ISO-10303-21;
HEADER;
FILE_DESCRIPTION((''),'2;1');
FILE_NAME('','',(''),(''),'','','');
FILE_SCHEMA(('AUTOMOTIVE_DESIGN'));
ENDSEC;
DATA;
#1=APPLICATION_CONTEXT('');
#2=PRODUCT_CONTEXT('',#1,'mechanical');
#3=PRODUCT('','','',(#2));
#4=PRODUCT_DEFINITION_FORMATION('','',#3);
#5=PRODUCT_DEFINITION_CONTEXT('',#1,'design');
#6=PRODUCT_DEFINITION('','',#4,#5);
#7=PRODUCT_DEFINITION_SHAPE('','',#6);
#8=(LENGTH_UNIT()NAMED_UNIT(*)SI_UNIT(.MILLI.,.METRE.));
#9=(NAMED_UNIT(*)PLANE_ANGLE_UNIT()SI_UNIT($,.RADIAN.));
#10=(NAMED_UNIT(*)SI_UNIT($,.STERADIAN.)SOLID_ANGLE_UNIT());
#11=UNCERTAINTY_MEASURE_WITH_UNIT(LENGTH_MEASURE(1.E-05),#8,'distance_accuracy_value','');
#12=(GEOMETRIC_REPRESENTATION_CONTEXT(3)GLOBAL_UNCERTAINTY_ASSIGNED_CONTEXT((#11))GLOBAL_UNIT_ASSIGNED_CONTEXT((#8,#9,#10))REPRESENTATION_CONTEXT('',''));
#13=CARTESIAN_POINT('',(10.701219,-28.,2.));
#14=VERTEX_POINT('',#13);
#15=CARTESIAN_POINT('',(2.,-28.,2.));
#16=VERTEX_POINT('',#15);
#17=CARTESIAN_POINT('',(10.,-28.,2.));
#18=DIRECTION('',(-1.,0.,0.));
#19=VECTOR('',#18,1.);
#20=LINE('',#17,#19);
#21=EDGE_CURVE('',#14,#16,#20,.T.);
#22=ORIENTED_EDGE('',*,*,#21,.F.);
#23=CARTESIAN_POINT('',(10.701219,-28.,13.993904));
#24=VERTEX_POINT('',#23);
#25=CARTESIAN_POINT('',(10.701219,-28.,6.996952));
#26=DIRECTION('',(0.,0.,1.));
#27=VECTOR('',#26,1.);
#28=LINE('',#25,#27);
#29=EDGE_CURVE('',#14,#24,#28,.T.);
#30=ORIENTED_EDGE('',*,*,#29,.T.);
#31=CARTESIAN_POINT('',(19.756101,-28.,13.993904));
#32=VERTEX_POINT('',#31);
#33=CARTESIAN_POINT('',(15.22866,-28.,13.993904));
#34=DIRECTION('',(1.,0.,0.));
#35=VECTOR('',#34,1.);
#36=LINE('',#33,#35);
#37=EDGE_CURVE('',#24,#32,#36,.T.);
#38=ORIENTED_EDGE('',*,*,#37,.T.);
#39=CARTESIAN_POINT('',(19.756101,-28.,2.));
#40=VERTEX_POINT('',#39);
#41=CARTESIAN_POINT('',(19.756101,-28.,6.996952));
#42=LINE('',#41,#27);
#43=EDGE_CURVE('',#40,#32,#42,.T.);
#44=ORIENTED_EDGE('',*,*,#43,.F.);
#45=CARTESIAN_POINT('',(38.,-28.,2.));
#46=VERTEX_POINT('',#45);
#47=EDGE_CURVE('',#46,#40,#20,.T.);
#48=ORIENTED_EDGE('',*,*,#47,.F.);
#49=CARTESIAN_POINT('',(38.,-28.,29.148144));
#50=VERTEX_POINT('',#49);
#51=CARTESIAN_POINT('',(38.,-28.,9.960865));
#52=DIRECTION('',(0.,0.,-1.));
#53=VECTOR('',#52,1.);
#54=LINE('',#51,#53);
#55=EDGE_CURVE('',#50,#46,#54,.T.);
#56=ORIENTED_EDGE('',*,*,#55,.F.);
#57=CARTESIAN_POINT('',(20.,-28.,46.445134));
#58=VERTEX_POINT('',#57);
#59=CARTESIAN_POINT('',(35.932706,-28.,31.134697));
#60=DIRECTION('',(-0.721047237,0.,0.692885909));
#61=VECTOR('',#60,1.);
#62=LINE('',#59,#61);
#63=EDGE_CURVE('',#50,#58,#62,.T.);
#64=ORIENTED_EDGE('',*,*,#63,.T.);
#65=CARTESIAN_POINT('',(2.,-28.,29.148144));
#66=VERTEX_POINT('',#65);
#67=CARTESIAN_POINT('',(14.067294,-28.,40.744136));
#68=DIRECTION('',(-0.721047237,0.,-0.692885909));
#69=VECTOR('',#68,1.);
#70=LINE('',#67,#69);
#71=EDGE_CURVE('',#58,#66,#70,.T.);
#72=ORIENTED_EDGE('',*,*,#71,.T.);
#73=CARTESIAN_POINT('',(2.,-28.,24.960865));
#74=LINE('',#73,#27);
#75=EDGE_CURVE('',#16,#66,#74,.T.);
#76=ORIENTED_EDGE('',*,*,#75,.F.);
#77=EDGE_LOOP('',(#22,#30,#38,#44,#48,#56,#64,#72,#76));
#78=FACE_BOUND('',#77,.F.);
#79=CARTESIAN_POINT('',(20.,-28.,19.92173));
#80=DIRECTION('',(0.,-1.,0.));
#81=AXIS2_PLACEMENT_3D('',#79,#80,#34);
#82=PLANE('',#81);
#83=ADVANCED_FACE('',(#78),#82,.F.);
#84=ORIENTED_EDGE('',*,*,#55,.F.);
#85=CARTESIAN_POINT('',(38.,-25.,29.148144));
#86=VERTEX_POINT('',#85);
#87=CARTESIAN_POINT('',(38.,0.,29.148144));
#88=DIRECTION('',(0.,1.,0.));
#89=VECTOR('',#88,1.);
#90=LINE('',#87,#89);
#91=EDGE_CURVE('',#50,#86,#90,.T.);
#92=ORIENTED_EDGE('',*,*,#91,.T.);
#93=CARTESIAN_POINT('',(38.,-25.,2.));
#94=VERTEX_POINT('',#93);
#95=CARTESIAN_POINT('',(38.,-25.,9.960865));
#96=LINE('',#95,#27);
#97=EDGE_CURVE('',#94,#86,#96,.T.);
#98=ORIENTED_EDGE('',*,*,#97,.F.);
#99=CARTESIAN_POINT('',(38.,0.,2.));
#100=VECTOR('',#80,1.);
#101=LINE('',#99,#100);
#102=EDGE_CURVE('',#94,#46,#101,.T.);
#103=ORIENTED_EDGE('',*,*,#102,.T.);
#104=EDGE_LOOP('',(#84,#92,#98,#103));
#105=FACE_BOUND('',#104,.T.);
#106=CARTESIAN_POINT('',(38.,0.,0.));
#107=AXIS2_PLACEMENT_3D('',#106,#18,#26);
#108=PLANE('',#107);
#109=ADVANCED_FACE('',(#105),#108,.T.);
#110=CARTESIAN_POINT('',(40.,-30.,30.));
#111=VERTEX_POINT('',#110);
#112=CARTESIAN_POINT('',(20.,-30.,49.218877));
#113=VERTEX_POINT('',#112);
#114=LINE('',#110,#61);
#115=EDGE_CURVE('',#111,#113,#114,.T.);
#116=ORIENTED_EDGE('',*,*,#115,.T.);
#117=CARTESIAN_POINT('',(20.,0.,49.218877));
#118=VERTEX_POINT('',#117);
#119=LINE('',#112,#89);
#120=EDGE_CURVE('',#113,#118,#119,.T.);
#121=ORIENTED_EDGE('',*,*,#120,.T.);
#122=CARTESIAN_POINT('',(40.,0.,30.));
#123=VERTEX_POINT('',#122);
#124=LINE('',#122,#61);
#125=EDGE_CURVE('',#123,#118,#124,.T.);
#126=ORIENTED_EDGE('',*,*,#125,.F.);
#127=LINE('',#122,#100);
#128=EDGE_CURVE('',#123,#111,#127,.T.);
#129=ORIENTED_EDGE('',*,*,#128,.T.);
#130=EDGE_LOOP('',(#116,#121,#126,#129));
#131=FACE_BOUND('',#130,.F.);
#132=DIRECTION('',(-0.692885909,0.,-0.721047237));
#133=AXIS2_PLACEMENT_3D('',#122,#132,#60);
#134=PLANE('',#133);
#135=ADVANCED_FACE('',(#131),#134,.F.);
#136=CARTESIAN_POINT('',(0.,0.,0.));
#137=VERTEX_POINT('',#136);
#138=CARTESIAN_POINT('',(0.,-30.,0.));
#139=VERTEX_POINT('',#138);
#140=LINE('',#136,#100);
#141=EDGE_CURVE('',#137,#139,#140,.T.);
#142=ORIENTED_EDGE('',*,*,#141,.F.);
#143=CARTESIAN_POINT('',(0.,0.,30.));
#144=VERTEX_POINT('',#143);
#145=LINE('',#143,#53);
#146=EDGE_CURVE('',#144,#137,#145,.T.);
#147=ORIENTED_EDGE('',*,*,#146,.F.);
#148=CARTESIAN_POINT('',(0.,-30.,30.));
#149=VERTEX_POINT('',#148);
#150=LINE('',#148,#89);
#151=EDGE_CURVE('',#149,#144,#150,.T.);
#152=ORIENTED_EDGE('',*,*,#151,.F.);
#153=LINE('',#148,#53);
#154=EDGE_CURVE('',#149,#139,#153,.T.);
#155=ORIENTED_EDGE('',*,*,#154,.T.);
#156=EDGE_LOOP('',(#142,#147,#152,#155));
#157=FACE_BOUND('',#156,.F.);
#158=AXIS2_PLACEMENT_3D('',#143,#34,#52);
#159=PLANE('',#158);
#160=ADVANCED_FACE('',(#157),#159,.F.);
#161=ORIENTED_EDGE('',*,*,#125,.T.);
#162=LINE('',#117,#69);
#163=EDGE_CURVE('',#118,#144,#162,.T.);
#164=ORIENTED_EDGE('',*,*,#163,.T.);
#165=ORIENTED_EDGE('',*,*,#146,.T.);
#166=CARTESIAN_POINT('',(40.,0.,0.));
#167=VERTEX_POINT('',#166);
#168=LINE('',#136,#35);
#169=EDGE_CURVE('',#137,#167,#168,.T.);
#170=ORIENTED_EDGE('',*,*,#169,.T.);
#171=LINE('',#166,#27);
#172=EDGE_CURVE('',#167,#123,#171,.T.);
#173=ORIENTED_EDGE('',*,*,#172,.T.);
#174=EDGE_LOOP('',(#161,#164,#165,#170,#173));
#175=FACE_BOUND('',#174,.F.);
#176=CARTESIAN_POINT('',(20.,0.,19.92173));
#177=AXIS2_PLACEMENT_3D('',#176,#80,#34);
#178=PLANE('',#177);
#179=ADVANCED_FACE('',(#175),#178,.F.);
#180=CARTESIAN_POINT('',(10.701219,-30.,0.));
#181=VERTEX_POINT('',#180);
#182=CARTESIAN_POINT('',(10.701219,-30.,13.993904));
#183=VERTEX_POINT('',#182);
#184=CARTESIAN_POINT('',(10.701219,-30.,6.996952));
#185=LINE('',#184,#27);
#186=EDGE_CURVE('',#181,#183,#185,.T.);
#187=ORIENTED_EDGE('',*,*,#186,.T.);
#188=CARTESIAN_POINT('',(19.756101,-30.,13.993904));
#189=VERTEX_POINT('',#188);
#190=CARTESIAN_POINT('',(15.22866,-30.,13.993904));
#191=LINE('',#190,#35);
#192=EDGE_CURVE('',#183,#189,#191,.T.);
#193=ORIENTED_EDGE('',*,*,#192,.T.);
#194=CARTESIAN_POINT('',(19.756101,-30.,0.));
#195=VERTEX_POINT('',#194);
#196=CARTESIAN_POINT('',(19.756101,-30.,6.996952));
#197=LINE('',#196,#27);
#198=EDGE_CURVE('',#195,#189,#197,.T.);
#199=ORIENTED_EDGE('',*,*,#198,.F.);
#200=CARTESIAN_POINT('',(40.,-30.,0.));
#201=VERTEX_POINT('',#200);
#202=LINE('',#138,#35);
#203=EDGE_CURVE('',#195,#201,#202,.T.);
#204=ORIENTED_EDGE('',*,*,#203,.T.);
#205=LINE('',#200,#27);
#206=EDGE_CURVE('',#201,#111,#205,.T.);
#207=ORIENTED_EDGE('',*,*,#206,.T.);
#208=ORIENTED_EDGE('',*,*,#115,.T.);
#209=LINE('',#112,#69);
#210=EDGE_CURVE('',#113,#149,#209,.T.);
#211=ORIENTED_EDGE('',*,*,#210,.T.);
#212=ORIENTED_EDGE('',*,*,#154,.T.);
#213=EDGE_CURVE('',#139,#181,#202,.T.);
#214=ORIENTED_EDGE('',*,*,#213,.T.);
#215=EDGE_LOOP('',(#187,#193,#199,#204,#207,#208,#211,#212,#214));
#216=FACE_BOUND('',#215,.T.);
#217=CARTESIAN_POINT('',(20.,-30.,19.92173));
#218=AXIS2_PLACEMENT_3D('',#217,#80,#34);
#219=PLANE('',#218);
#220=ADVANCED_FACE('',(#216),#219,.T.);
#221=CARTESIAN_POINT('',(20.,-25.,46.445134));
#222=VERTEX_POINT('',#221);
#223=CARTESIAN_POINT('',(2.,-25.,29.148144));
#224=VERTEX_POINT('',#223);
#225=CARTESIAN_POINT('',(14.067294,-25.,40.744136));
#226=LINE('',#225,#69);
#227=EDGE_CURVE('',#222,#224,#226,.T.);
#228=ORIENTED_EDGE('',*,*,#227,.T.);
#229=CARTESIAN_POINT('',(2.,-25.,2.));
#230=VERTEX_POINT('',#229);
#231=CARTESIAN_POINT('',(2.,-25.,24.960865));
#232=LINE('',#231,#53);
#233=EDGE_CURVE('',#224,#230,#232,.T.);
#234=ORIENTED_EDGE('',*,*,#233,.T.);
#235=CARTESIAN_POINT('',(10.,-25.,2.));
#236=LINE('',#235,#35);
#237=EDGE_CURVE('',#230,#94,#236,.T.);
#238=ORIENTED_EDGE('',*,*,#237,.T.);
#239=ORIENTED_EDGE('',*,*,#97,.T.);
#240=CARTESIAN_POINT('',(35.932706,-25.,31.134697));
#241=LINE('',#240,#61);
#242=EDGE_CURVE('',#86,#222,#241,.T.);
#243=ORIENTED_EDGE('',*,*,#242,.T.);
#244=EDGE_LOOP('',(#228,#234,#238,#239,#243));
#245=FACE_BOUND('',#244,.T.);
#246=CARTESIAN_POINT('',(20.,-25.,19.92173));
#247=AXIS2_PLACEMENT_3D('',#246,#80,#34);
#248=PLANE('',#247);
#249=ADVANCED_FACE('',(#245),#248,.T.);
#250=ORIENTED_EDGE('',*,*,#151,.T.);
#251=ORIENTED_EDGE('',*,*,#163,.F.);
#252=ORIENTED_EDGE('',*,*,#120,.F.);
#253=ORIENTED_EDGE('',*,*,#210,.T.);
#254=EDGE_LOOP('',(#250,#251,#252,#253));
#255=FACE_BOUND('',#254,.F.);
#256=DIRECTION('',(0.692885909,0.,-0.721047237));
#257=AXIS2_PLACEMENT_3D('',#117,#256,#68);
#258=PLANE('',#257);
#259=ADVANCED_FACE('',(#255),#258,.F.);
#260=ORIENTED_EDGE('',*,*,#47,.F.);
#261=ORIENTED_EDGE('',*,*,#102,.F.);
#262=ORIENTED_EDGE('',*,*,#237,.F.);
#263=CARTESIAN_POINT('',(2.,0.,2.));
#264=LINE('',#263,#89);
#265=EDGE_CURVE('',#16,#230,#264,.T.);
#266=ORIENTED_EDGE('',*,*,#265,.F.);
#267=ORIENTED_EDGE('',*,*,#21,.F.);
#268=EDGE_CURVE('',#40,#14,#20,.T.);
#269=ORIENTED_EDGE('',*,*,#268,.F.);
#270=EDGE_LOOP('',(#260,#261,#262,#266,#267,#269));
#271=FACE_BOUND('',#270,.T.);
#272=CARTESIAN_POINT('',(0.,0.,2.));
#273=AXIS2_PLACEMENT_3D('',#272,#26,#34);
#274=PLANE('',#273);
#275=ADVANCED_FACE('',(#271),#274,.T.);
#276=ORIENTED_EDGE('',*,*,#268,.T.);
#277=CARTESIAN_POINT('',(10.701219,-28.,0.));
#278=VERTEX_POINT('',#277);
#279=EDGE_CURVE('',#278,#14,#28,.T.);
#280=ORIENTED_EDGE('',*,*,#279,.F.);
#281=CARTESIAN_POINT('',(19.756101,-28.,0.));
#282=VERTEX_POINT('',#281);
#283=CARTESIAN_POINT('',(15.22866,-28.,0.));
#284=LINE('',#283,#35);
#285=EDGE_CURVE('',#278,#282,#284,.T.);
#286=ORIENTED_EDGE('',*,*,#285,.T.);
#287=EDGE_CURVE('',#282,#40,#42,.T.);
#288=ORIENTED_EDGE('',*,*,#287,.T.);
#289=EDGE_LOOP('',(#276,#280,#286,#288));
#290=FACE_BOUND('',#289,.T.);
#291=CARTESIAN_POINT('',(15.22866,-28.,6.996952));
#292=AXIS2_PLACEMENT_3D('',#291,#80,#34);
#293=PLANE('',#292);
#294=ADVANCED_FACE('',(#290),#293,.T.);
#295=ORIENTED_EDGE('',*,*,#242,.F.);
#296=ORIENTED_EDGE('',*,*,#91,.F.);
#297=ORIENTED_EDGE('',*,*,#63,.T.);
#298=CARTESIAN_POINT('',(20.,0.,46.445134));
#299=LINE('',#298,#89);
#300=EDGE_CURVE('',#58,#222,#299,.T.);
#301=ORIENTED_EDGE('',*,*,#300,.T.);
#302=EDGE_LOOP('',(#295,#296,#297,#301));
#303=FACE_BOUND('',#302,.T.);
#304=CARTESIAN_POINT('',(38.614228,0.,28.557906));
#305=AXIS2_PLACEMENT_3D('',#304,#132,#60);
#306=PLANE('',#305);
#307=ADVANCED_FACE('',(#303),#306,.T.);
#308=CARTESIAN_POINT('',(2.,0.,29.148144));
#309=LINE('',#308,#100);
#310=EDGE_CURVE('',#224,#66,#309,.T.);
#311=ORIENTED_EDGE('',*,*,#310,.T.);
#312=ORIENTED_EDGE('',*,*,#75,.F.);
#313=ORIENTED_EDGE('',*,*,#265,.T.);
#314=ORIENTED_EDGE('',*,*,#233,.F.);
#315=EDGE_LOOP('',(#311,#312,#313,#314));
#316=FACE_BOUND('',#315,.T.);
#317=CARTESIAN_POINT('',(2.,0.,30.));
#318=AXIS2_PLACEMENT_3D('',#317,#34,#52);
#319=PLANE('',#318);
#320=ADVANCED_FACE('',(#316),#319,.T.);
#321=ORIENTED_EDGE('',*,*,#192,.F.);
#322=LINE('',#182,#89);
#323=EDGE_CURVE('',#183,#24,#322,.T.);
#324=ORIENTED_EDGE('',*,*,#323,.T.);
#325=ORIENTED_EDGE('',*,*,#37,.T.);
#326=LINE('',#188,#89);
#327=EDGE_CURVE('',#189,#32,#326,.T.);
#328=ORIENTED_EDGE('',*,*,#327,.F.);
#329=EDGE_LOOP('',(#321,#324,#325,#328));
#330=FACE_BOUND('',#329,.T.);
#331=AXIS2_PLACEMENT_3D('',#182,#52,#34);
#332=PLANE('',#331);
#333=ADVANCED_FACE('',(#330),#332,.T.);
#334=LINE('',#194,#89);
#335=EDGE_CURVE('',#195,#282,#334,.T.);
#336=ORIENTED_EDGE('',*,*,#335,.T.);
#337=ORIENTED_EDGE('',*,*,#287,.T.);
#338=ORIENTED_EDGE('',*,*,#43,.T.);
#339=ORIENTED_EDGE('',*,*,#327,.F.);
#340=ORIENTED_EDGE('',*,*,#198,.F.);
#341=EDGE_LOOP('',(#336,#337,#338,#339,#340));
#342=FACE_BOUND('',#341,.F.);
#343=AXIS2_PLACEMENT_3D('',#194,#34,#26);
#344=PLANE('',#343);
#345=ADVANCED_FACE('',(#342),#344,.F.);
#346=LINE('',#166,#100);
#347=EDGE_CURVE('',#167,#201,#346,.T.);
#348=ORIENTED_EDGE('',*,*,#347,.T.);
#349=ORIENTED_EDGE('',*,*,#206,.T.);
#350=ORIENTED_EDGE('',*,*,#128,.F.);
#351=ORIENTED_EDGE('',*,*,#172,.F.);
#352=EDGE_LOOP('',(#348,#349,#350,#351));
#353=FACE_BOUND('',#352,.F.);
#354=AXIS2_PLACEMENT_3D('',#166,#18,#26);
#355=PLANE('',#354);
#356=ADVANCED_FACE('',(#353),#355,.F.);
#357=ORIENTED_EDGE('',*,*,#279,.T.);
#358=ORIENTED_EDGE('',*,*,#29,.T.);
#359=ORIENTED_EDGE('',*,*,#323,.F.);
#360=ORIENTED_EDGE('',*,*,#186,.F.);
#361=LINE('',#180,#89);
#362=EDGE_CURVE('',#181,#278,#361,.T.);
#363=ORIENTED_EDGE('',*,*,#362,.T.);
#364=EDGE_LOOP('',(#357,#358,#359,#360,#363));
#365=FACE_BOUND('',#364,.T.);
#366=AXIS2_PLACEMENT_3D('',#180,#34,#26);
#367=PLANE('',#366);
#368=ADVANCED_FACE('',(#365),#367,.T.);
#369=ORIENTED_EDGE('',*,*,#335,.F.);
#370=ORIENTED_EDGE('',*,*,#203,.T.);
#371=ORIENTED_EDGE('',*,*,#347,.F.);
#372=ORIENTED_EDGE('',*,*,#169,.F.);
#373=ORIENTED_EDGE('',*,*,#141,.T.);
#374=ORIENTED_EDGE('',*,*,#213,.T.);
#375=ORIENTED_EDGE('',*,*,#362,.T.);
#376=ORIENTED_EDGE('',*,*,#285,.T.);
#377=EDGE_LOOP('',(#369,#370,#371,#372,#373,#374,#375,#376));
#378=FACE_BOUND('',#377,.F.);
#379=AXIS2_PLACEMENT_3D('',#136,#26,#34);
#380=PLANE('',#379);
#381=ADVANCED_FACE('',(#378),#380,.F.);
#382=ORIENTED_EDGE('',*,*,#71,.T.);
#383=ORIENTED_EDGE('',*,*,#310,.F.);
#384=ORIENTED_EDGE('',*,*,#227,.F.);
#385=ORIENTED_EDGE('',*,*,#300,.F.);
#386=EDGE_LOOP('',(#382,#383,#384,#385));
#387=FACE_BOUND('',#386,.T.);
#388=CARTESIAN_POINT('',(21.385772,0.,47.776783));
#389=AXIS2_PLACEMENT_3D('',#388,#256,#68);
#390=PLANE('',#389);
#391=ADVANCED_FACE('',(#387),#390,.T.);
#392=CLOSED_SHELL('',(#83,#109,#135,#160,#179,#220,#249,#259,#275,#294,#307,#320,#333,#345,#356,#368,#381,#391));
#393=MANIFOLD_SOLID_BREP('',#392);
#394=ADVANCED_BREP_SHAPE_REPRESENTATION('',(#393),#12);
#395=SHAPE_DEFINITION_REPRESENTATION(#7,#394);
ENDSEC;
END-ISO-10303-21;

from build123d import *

# Parameters (mm, degrees)
F1_DEPTH = 30
F2_T     = -2
F3_W     = 9.0548824519
F3_H     = 13.9939039946
F4_DEPTH = 2
F5_DEPTH = 25


with BuildPart() as f1:
    # F0 (on Front) → F1 (new body)
    with BuildSketch(Plane.XZ):
        Polygon((0, 30), (0, 0), (40, 0), (40, 30), (20, 49.2188770223), align=None)
    extrude(amount=F1_DEPTH)

    # F2 (hollow: no face is removed)
    offset(amount=F2_T, mode=Mode.SUBTRACT)

    # F3 (on face) → F4 (cut)
    with BuildSketch(Plane.XZ.offset(30)):
        with Locations((15.2286598459, 6.9969519973)):
            Rectangle(F3_W, F3_H)
    extrude(amount=-F4_DEPTH, mode=Mode.SUBTRACT)

    # F0 (on Front) → F5 (join)
    with BuildSketch(Plane.XZ):
        Polygon((0, 30), (0, 0), (40, 0), (40, 30), (20, 49.2188770223), align=None)
    extrude(amount=F5_DEPTH)


solid = f1.part
